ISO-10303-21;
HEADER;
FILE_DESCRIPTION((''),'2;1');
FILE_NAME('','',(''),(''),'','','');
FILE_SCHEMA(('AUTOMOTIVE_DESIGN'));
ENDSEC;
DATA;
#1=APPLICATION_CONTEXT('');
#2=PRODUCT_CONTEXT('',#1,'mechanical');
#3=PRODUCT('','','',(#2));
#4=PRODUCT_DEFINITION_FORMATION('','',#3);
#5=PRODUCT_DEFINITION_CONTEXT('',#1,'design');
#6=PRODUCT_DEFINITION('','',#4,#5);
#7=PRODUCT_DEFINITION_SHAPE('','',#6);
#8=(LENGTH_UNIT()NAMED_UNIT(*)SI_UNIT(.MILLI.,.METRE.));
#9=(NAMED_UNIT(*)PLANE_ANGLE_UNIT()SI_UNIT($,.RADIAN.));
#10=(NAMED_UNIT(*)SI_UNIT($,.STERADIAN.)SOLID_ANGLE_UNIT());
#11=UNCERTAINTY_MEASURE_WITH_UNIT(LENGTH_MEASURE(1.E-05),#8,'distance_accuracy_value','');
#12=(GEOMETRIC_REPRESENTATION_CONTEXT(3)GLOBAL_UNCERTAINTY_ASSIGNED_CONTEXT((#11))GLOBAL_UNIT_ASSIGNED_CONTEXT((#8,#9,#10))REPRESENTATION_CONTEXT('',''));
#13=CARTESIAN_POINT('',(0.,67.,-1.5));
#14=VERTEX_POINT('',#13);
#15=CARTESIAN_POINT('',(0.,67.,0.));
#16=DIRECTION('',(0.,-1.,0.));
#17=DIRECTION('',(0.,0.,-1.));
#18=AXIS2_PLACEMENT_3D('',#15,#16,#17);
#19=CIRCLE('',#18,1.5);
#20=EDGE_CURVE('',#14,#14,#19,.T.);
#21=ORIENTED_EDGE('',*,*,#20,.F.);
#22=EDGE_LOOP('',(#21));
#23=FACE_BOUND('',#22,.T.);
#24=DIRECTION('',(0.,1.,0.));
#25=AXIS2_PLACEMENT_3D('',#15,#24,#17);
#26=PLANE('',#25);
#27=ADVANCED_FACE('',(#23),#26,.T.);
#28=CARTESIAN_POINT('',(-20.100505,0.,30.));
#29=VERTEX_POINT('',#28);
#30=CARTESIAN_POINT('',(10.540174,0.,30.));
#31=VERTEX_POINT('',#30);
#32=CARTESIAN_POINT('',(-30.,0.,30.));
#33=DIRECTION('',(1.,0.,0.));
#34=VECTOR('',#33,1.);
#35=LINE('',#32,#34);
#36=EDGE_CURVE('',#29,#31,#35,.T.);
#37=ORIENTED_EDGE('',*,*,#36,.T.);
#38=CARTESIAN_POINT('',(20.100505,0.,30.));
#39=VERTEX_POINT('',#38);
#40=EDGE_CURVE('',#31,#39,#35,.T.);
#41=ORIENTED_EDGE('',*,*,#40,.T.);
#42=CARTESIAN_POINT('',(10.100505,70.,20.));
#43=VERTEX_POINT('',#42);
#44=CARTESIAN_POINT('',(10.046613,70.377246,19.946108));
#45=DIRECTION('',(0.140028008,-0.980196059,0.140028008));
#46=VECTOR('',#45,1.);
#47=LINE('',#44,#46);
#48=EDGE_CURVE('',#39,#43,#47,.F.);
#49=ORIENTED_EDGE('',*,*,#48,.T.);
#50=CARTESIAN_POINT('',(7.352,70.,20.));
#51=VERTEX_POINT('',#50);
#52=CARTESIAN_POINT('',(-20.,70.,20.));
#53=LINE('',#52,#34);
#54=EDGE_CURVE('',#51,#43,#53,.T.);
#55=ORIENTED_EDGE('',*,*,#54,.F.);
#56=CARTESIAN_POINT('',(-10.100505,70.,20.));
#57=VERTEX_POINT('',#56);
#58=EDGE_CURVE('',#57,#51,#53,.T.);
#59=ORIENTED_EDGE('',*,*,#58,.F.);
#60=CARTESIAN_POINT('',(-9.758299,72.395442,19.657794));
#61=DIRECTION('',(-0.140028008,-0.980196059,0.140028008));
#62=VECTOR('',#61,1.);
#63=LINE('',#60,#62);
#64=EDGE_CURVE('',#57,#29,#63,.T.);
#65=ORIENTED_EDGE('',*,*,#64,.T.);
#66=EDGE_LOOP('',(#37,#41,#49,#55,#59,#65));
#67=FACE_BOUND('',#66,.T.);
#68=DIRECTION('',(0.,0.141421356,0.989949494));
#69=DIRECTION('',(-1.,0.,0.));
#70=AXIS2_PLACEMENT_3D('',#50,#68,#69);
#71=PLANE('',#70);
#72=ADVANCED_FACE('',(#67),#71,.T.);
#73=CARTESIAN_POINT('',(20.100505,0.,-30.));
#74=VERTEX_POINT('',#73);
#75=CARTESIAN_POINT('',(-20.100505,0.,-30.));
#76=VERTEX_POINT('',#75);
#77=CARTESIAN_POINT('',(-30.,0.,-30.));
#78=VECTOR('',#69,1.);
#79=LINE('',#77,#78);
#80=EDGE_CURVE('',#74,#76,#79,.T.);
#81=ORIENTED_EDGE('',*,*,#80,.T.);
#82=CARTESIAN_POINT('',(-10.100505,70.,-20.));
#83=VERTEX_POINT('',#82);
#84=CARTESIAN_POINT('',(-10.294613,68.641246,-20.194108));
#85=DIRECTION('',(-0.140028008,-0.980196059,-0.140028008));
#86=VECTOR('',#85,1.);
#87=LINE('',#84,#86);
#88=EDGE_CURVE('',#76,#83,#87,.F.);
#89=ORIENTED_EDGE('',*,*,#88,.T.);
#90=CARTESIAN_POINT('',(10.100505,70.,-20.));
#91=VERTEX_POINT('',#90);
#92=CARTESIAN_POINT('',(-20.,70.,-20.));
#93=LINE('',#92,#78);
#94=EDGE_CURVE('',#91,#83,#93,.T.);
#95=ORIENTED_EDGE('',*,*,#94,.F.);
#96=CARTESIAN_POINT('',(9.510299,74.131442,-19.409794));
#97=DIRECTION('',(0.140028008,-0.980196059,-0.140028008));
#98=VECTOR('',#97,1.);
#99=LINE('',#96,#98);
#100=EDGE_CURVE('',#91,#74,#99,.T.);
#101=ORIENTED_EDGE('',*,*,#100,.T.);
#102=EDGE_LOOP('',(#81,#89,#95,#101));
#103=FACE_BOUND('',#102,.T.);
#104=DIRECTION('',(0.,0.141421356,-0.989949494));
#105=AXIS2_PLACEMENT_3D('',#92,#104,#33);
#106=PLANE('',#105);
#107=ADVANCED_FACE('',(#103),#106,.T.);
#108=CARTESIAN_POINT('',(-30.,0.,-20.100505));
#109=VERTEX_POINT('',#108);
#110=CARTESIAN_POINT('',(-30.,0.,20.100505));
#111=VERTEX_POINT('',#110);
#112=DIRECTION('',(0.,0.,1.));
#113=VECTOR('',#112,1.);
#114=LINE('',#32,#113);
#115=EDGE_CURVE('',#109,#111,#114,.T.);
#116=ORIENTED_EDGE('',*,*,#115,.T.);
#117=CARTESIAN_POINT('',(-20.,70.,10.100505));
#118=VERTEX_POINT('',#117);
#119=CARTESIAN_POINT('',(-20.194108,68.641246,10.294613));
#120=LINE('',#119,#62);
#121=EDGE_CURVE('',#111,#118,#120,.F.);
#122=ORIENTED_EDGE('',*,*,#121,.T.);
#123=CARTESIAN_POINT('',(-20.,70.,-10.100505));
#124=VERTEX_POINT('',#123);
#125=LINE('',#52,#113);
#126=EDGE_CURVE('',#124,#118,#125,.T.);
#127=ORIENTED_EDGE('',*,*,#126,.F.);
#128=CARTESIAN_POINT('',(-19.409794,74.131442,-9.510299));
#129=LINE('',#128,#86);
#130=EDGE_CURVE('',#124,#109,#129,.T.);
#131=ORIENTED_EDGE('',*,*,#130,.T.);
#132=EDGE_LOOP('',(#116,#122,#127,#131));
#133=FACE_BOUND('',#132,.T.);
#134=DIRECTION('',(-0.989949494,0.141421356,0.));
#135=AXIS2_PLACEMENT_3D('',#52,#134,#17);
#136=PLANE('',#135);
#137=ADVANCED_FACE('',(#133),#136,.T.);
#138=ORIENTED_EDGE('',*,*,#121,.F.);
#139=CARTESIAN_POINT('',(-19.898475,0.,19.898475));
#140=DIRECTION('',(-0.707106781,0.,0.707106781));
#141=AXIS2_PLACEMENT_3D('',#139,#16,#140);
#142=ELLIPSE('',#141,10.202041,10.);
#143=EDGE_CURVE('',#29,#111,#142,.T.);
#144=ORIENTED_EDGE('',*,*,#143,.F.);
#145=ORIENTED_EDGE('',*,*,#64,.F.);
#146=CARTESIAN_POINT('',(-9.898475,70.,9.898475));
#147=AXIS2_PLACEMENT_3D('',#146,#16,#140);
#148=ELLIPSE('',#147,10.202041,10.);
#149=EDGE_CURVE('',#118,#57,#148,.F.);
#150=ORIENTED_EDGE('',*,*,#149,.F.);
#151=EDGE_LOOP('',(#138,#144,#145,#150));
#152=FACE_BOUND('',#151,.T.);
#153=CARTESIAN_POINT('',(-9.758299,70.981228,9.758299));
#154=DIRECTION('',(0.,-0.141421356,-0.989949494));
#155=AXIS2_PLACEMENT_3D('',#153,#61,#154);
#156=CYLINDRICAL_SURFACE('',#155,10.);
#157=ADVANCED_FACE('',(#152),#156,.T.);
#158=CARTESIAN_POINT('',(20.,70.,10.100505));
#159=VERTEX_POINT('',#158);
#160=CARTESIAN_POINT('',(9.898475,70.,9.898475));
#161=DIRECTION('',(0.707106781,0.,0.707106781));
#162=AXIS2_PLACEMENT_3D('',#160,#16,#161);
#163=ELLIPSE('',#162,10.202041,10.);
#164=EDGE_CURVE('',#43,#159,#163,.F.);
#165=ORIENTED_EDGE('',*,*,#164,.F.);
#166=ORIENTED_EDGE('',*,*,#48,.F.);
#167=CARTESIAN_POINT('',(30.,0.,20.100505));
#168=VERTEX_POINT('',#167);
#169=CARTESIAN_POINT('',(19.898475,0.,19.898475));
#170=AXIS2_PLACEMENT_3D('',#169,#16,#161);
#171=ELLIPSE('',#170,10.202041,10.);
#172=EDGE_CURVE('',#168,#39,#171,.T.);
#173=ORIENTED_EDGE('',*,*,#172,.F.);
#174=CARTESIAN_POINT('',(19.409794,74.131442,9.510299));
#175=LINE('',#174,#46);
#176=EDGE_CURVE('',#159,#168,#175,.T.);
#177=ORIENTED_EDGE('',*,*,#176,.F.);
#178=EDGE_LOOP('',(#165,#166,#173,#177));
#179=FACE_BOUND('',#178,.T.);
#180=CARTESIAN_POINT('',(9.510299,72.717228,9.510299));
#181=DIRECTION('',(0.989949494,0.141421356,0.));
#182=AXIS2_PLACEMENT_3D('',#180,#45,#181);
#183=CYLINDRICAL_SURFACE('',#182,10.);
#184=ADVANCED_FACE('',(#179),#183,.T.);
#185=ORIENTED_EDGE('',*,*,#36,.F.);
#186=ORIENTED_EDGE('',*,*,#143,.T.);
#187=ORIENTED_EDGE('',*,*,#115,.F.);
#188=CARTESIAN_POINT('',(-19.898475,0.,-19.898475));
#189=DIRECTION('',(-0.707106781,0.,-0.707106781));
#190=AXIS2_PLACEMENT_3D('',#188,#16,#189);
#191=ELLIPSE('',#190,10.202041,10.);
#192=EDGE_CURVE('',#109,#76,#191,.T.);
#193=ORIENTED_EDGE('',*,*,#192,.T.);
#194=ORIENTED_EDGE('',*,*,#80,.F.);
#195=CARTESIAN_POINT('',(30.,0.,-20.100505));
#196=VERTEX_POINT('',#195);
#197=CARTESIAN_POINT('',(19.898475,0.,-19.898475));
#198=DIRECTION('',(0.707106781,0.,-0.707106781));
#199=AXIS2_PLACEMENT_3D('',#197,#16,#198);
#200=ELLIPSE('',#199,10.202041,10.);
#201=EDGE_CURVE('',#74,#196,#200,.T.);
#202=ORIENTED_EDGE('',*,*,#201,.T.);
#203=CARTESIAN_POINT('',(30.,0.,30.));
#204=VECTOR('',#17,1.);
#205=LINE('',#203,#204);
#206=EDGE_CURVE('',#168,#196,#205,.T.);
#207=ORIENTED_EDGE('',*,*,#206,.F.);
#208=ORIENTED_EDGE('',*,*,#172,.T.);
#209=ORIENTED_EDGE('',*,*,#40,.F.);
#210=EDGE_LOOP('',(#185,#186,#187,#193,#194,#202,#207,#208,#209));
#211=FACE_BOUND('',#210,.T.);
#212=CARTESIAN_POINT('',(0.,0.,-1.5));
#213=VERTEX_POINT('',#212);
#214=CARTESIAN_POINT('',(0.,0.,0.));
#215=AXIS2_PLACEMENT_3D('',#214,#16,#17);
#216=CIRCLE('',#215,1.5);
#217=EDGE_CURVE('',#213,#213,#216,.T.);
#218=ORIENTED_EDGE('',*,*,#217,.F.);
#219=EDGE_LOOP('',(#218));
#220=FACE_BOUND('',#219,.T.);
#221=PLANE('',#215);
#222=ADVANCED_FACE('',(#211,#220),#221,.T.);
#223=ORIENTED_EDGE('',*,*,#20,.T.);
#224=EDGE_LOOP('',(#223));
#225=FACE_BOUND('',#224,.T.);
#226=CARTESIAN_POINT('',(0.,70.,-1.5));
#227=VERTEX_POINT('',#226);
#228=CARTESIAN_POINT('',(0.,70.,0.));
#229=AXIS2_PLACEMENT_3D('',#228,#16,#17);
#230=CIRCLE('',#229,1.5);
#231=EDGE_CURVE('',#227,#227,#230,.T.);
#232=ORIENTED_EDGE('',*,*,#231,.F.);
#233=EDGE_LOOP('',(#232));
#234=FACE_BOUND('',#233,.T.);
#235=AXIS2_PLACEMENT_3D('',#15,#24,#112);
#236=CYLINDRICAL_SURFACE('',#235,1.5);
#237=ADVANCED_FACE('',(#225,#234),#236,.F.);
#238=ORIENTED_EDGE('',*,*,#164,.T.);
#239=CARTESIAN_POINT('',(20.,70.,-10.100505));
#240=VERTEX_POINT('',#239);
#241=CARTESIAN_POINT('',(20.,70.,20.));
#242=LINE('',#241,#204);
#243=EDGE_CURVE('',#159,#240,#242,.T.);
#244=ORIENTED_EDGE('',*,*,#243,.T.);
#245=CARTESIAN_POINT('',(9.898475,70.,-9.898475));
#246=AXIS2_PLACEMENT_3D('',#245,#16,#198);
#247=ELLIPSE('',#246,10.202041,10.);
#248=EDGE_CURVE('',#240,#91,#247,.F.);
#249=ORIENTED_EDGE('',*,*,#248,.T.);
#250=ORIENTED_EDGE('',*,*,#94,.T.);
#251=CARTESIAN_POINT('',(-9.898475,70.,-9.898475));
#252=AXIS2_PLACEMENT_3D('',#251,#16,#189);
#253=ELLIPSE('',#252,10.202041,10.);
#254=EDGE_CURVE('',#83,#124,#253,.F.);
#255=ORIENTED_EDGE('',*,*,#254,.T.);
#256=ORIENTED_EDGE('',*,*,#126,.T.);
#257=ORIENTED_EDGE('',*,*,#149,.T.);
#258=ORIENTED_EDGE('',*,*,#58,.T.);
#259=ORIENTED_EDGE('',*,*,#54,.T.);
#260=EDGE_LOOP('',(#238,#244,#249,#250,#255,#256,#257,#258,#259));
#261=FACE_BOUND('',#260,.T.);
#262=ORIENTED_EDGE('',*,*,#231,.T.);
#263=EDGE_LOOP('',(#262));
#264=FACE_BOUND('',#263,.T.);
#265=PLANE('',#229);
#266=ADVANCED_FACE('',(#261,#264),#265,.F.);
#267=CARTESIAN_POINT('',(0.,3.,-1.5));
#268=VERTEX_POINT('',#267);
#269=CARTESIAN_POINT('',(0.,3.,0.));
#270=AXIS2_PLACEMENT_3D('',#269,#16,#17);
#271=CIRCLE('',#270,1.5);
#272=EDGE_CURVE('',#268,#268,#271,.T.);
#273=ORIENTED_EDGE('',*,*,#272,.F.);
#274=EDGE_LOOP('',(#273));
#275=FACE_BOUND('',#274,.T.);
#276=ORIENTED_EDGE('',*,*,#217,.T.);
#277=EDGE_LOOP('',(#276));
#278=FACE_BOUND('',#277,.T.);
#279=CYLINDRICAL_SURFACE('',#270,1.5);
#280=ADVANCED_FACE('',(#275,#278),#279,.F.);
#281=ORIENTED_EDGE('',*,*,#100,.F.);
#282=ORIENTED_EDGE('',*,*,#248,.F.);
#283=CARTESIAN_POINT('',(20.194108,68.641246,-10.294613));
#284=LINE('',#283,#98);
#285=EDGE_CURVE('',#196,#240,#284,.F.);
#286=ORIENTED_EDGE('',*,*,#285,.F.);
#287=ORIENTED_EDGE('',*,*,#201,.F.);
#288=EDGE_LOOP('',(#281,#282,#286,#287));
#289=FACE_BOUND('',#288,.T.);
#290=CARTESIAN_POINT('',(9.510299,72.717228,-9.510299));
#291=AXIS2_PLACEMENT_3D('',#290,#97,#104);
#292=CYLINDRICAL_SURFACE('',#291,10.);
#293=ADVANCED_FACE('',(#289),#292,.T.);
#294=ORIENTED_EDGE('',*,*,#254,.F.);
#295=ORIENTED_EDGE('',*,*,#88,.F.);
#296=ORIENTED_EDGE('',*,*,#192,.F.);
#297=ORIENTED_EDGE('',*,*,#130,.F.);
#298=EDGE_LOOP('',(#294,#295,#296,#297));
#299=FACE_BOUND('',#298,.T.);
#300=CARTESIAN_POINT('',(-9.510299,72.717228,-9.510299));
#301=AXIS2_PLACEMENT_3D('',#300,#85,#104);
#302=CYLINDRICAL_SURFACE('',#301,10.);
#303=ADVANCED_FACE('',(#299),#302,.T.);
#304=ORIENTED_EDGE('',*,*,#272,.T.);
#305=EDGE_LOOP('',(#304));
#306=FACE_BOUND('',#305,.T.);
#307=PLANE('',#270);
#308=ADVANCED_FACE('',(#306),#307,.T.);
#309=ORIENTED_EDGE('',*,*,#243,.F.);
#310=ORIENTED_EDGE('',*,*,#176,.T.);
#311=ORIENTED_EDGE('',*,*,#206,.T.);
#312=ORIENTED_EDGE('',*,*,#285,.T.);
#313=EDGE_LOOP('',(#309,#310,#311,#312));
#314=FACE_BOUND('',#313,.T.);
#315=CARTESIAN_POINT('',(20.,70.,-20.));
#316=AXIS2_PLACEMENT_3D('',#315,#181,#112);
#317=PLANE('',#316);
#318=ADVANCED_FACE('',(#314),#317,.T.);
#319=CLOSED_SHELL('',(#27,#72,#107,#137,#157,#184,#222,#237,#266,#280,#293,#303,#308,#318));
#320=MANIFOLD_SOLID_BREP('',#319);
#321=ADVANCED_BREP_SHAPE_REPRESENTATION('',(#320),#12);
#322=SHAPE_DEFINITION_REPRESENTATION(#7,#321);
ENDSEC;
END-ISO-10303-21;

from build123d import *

# Parameters (mm, degrees)
SKETCH3_R          = 1.5
CUT_EXTRUDE1_DEPTH = 3
FILLET1_R          = 10


with BuildPart() as part:
    # Sketch2 → Loft1 section 0
    with BuildSketch(Plane(origin=(0, 70, 0), x_dir=(1, 0, 0), z_dir=(0, 1, 0))):
        with BuildLine():
            Line((-20, -20), (20, -20))
            Line((20, -20), (20, 20))
            Line((20, 20), (-20, 20))
            Line((-20, 20), (-20, -20))
        make_face()
    # Sketch1 → Loft1 section 1
    with BuildSketch(Plane(origin=(0, 0, 0), x_dir=(1, 0, 0), z_dir=(0, 1, 0))):
        with BuildLine():
            Line((-30, -30), (30, -30))
            Line((30, -30), (30, 30))
            Line((30, 30), (-30, 30))
            Line((-30, 30), (-30, -30))
        make_face()
    loft()

    # Sketch3 → Cut-Extrude1 (cut)
    with BuildSketch(Plane.XZ):
        with Locations(Location((0, 0, 0), (0, 0, 270))):
            Circle(SKETCH3_R)
    cut_extrude1 = extrude(amount=-CUT_EXTRUDE1_DEPTH, mode=Mode.SUBTRACT)

    # Mirror1: Cut-Extrude1 across plane
    add(cut_extrude1.mirror(Plane(origin=(0, 35, 0), x_dir=(0, 0, 1), z_dir=(0, -1, 0))), mode=Mode.SUBTRACT)

    # Fillet1
    fillet1_edges = [part.edges().sort_by_distance(p)[0] for p in [
        (-25, 35, -25),
        (25, 35, -25),
        (25, 35, 25),
        (-25, 35, 25),
    ]]
    fillet(fillet1_edges, radius=FILLET1_R)


solid = part.part
